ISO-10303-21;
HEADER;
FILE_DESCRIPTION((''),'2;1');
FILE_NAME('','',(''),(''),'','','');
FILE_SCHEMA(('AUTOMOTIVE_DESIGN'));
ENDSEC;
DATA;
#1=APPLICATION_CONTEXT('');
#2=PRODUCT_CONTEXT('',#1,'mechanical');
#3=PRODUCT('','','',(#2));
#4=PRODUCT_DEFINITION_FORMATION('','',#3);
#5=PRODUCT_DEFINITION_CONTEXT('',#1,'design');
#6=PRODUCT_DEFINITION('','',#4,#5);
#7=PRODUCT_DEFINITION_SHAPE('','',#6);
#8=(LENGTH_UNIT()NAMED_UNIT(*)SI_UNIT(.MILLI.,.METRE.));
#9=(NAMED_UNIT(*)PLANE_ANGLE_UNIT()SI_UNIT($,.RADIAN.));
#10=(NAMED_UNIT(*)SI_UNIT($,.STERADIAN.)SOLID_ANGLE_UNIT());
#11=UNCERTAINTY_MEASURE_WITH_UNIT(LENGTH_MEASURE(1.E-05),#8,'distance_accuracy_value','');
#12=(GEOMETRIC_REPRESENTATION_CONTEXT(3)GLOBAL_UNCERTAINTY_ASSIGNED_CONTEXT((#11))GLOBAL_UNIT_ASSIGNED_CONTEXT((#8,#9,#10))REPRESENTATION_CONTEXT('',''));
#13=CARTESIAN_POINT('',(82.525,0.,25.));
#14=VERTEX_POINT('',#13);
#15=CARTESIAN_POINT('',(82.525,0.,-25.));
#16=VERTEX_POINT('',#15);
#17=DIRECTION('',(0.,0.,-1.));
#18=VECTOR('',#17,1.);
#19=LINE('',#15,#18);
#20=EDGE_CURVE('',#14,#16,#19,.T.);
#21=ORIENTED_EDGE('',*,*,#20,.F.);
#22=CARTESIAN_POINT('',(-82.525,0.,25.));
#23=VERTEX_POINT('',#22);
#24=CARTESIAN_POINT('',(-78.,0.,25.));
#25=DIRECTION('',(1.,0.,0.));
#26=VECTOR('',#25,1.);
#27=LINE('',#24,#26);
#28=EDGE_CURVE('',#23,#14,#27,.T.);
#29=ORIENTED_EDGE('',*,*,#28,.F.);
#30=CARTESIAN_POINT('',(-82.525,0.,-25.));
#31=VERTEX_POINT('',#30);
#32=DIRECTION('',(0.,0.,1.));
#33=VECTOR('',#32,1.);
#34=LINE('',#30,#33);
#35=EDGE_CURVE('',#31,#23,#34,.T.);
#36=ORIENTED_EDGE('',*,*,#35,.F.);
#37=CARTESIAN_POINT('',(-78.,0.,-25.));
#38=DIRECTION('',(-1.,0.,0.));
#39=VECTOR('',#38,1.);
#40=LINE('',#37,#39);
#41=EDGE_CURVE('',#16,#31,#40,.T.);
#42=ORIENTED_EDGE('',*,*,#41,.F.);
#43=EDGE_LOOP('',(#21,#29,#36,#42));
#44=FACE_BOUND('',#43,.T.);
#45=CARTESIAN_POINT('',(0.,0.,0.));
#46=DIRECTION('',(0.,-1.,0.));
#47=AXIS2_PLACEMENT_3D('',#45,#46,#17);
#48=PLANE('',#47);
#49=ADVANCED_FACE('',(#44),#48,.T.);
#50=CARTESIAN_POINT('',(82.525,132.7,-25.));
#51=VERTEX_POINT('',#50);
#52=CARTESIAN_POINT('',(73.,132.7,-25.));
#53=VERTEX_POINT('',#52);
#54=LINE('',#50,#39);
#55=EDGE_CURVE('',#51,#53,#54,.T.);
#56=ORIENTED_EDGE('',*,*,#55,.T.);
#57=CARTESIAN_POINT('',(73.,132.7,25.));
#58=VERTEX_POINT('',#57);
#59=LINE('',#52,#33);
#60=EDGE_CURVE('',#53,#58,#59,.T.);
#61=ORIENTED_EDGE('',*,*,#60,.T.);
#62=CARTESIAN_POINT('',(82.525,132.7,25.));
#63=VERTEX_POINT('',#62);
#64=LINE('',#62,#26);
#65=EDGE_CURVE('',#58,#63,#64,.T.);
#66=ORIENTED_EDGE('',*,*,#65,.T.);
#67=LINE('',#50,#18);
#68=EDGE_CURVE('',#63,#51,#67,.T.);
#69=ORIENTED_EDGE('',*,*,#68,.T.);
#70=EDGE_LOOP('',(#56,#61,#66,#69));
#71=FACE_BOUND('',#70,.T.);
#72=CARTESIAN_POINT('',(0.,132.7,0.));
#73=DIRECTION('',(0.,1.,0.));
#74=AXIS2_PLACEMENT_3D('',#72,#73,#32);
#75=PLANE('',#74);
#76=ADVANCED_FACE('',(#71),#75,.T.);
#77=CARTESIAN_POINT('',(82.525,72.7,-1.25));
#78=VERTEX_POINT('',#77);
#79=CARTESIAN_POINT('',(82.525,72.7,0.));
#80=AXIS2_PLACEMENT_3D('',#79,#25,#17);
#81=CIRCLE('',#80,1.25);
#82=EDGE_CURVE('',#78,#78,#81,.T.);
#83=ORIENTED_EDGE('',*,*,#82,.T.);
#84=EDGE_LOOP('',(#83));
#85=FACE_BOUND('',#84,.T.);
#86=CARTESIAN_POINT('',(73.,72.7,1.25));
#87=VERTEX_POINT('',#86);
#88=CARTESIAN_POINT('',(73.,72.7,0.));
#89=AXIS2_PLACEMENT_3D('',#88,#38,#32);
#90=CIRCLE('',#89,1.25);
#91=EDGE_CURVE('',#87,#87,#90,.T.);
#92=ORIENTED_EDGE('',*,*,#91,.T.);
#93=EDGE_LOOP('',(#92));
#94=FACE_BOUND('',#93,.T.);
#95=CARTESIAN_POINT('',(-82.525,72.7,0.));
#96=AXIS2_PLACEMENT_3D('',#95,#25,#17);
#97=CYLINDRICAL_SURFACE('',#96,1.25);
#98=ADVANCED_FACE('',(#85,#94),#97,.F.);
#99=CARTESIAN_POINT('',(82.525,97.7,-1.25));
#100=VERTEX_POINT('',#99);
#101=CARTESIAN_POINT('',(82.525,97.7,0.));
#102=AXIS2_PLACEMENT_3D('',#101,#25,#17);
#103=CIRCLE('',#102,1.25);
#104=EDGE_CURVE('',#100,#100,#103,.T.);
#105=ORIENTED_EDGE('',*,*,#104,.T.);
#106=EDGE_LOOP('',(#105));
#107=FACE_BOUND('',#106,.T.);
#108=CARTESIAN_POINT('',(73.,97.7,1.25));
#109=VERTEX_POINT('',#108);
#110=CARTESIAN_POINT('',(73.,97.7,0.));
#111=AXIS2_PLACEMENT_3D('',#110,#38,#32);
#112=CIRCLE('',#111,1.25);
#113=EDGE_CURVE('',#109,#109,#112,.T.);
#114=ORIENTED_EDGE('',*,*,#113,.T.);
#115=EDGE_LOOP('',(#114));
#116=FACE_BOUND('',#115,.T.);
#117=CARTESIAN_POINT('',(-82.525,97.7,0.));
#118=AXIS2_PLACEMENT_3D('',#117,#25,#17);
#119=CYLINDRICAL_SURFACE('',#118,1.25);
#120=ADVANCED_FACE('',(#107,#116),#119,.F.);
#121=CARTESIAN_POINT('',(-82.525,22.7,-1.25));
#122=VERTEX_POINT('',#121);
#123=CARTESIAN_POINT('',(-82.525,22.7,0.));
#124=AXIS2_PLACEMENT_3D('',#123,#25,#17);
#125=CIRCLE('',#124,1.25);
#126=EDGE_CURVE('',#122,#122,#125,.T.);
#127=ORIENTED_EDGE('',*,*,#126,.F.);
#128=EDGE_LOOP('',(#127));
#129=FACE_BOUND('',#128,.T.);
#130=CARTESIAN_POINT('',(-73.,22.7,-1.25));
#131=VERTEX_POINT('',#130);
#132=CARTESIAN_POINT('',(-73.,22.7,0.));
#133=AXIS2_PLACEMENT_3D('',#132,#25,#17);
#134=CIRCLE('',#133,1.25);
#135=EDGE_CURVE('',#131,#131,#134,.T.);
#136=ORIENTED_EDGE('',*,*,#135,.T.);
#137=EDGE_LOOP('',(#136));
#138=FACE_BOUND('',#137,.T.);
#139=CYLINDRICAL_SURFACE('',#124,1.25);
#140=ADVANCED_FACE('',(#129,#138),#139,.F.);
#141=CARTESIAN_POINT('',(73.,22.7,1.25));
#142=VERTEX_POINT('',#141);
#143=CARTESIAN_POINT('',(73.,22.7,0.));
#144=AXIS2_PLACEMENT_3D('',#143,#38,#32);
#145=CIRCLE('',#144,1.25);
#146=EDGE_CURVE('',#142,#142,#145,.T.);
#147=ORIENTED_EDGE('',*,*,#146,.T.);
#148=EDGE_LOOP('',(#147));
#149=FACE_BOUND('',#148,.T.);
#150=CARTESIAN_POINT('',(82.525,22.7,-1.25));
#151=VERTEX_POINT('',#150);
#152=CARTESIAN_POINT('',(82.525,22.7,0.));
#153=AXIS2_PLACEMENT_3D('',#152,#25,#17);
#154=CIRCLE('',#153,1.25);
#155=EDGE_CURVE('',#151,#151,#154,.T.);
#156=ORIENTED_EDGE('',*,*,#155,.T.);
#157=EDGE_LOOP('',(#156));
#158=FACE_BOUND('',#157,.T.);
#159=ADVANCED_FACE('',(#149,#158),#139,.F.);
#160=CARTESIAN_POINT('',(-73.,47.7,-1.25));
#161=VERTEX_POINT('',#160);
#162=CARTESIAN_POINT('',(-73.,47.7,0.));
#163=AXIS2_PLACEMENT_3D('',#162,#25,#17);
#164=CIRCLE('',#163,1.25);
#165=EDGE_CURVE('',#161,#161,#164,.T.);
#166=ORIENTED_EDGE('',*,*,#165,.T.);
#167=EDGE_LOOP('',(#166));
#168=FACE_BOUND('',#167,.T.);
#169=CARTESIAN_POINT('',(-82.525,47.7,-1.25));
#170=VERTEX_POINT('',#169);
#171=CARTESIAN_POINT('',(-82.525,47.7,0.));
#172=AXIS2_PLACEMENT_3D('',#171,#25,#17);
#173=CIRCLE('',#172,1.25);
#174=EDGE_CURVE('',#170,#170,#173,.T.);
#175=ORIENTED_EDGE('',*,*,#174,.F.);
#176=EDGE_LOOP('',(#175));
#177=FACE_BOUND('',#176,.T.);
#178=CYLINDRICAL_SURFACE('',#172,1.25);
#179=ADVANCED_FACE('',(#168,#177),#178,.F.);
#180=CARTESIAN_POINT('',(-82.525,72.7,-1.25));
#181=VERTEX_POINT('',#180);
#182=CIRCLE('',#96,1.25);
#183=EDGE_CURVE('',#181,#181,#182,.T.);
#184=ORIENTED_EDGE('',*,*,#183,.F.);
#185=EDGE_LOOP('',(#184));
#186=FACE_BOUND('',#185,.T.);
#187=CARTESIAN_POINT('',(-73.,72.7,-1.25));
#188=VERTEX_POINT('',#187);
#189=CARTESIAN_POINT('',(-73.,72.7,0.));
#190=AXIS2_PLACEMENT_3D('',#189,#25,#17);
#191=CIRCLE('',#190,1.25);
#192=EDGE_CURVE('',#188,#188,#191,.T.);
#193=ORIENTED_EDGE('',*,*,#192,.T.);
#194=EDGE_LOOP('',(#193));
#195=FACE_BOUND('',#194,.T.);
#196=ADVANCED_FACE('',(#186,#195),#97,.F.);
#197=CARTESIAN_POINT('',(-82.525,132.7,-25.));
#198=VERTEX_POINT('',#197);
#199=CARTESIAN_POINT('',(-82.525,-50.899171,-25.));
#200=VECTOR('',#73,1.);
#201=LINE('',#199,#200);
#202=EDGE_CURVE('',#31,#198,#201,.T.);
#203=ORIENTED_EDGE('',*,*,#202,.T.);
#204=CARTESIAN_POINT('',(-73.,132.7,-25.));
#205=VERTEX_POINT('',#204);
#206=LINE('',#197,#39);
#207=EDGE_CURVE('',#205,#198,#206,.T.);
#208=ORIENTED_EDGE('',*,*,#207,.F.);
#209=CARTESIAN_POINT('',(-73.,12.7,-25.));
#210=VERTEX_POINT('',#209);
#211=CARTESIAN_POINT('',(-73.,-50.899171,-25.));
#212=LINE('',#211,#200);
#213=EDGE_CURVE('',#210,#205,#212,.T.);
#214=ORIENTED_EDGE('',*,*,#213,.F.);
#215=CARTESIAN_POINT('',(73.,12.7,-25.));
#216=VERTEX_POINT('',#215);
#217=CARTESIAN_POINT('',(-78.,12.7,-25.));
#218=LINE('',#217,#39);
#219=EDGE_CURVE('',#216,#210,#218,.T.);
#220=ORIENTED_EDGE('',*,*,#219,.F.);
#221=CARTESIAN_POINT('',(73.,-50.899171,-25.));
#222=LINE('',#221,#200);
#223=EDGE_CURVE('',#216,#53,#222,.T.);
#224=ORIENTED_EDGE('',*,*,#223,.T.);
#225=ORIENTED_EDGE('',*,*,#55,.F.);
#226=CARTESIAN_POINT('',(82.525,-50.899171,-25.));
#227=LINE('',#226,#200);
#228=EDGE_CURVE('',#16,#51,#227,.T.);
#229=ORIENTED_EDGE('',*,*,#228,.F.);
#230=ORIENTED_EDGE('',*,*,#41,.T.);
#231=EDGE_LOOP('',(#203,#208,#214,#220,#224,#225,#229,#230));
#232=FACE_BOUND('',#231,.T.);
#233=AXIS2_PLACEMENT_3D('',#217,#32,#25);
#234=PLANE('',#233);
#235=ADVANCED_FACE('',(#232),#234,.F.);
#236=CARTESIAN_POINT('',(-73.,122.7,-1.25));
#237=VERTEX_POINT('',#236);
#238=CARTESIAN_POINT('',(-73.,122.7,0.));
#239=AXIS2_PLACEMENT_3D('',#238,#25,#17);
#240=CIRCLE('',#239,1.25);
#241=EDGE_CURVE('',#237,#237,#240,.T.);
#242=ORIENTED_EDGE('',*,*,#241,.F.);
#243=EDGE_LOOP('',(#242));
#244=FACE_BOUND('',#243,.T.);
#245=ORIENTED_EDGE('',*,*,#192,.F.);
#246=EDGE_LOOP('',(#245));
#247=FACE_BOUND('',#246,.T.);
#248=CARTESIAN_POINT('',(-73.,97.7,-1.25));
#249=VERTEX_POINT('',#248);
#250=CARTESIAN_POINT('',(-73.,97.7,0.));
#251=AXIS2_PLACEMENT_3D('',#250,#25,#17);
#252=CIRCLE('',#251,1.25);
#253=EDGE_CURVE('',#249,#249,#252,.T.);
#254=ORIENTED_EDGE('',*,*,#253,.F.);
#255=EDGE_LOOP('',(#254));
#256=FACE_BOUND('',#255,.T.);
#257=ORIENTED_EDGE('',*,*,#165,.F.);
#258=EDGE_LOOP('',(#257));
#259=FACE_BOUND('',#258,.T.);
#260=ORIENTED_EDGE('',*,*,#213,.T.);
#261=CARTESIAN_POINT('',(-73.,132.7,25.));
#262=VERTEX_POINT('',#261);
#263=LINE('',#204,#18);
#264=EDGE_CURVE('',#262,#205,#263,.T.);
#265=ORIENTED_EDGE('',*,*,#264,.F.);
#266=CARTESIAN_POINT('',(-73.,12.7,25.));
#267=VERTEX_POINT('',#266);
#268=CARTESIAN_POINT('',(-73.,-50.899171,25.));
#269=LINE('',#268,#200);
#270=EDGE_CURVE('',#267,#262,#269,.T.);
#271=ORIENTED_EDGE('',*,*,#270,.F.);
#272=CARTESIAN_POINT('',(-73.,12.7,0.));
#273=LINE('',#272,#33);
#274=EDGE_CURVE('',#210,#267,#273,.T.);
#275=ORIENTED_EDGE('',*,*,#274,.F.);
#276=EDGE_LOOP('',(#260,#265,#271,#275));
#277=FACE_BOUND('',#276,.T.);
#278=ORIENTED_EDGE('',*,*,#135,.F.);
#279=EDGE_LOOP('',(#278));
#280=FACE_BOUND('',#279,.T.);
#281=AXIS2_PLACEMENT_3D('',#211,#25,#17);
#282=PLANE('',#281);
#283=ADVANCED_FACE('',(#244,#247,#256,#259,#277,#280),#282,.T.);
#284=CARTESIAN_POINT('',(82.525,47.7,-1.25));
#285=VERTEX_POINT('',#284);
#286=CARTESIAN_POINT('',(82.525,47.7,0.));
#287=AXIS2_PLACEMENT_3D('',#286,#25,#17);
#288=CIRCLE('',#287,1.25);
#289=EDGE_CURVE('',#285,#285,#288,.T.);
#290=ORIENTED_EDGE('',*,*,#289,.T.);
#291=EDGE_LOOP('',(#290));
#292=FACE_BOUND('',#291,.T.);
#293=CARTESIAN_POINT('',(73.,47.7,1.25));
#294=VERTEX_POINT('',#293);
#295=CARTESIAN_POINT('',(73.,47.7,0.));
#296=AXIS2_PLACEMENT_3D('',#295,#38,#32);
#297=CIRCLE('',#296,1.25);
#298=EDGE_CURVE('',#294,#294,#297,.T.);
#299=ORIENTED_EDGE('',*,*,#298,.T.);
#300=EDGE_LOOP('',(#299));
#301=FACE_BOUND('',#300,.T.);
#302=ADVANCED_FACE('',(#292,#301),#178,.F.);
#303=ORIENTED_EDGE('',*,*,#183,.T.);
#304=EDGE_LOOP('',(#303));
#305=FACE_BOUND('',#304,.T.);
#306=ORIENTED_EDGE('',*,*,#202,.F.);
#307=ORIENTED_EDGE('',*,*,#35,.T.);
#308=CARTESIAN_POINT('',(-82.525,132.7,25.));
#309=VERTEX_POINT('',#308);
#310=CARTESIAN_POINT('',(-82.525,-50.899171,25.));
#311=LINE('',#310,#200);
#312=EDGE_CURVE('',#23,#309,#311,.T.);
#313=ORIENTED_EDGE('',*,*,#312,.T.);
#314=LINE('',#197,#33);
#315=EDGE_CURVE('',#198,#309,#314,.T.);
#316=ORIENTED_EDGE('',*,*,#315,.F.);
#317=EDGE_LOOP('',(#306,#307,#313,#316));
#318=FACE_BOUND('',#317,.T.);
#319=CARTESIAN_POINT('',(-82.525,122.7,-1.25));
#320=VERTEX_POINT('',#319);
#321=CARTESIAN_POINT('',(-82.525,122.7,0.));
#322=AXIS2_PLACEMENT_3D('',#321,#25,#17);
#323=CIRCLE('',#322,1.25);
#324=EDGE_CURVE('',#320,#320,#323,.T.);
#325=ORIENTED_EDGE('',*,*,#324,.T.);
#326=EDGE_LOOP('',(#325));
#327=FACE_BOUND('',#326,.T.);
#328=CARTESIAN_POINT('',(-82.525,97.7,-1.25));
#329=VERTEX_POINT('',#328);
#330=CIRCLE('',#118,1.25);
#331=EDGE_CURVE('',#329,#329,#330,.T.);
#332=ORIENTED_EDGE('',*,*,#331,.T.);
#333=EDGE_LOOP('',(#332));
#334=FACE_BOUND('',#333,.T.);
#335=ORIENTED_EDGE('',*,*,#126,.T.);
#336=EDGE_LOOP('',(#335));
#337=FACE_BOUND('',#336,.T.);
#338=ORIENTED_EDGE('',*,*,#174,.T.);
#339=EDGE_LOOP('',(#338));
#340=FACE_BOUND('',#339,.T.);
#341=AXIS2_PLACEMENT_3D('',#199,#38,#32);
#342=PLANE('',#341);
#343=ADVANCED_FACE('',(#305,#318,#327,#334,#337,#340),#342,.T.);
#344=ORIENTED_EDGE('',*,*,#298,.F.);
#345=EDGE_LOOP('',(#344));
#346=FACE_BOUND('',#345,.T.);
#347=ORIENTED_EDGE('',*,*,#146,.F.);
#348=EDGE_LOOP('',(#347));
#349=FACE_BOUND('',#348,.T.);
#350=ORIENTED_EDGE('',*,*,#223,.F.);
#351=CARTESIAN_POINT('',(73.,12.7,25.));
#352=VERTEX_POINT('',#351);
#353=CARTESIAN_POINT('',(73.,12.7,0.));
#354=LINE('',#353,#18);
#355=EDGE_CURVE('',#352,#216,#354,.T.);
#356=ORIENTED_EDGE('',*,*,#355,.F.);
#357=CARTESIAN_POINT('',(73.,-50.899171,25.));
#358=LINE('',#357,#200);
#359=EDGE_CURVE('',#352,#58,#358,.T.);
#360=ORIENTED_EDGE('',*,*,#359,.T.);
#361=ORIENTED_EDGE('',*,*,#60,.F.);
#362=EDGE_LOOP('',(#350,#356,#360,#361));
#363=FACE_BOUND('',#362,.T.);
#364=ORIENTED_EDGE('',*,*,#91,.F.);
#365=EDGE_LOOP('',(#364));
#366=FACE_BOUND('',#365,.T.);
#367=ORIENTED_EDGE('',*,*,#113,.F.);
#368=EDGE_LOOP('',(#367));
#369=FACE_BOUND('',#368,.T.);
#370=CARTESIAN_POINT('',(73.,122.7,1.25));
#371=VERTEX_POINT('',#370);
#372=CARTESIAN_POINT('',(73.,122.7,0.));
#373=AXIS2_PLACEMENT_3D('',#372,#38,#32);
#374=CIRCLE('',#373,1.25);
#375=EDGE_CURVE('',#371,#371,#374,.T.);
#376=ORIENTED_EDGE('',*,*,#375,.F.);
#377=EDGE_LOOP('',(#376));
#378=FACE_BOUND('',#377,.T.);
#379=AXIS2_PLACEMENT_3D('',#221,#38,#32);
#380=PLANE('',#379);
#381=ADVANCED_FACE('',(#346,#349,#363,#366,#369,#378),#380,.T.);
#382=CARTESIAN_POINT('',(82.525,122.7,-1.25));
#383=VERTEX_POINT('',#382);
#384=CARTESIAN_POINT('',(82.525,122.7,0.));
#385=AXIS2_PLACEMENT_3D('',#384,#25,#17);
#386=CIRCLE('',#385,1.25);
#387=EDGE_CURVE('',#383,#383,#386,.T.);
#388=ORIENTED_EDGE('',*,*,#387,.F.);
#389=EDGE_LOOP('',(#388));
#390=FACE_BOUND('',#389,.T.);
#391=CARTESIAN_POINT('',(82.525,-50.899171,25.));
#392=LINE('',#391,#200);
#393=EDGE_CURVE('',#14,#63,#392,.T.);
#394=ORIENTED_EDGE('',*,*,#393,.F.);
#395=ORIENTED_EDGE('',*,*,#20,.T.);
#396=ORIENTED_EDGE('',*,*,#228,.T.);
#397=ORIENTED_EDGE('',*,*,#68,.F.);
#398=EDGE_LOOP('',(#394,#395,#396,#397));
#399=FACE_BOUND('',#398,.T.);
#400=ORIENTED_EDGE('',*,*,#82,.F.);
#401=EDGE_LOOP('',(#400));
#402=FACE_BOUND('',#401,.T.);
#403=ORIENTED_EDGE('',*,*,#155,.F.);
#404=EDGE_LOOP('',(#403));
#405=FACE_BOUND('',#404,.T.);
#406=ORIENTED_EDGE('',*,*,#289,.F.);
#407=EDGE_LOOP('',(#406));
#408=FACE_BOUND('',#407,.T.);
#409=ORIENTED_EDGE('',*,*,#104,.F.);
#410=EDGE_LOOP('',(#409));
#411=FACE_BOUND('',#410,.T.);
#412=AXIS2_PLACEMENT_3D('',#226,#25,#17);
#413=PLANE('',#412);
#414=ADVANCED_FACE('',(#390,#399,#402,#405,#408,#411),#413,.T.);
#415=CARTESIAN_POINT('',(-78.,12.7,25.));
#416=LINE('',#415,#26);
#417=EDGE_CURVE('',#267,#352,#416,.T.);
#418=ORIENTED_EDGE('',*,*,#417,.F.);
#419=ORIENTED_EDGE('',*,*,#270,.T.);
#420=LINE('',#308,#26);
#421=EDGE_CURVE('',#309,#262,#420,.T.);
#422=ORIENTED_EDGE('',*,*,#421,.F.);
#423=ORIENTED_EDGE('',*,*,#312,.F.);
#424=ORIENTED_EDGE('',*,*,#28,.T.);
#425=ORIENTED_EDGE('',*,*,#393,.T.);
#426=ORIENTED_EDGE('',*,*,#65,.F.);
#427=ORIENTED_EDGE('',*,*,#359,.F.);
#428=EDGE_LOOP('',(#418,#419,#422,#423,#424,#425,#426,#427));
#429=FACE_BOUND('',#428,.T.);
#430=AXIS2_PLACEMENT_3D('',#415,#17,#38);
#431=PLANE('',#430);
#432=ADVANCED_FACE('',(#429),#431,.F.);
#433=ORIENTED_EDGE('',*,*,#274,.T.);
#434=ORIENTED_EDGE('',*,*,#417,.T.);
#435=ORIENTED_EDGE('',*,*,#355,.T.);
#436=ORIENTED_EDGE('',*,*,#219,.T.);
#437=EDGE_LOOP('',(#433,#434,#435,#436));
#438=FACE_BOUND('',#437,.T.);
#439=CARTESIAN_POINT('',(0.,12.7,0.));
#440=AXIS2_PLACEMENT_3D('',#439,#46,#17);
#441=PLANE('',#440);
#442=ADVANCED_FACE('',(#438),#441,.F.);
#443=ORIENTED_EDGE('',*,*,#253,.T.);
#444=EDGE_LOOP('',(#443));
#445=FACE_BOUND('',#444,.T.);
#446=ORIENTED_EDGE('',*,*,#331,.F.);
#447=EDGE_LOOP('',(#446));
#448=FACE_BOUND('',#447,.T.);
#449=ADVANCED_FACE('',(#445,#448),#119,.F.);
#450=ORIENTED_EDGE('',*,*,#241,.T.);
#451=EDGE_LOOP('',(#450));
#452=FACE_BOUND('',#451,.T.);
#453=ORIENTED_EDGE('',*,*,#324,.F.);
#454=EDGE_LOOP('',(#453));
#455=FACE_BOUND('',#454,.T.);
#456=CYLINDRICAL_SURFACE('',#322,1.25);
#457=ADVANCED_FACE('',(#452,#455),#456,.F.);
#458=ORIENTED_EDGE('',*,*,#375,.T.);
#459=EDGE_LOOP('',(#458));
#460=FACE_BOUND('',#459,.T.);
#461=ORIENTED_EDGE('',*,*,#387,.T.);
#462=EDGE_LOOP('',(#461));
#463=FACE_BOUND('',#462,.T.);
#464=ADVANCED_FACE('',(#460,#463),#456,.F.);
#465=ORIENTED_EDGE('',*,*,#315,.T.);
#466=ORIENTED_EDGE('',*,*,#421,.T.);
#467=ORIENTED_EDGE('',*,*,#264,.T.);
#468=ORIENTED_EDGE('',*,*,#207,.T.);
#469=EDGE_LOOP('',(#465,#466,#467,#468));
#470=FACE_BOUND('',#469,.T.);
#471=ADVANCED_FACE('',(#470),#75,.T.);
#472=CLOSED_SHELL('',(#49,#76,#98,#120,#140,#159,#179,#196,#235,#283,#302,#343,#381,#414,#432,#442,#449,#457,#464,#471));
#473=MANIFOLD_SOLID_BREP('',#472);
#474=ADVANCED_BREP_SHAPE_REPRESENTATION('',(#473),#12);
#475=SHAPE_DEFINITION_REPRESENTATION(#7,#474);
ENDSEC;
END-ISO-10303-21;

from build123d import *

# Parameters (mm, degrees)
SKETCH1_W                       = 156
SKETCH1_H                       = 50
BOSS_EXTRUDE1_DEPTH             = 12.7
SKETCH2_W                       = 9.525
SKETCH2_H                       = 50
BOSS_EXTRUDE2_DEPTH             = 120
BOSS_EXTRUDE2_DIRECTION_2_REACH = 84.887
SKETCH3_R                       = 1.25
CUT_EXTRUDE1_DEPTH              = 214.250539272


with BuildPart() as part:
    # Sketch1 → Boss-Extrude1 (new body)
    with BuildSketch(Plane(origin=(0, 0, 0), x_dir=(1, 0, 0), z_dir=(0, 1, 0))):
        Rectangle(SKETCH1_W, SKETCH1_H)
    extrude(amount=BOSS_EXTRUDE1_DEPTH)

    # Sketch2 → Boss-Extrude2 (add)
    with BuildSketch(Plane(origin=(0, 12.7, 0), x_dir=(1, 0, 0), z_dir=(0, 1, 0))):
        with Locations((-77.7625, 0)):
            Rectangle(SKETCH2_W, SKETCH2_H)
        with Locations((77.7625, 0)):
            Rectangle(SKETCH2_W, SKETCH2_H)
    extrude(amount=BOSS_EXTRUDE2_DEPTH)

    # Boss-Extrude2 direction 2: up to this face of the body (flat: up to its plane)
    boss_extrude2_direction_2_end = Plane(part.part.faces().sort_by_distance((0, 0, 0))[0])
    # Sketch2 → Boss-Extrude2 direction 2 (add, up to the picked face)
    with BuildSketch(Plane(origin=(0, 12.7, 0), x_dir=(1, 0, 0), z_dir=(0, 1, 0)), mode=Mode.PRIVATE) as boss_extrude2_direction_2_sk1:
        with Locations((-77.7625, 0)):
            Rectangle(SKETCH2_W, SKETCH2_H)
    boss_extrude2_direction_2_tool1 = split(extrude(boss_extrude2_direction_2_sk1.sketch, amount=-BOSS_EXTRUDE2_DIRECTION_2_REACH, mode=Mode.PRIVATE), bisect_by=boss_extrude2_direction_2_end, keep=Keep.BOTH, mode=Mode.PRIVATE)
    # Sketch2 → Boss-Extrude2 direction 2 (add, up to the picked face)
    with BuildSketch(Plane(origin=(0, 12.7, 0), x_dir=(1, 0, 0), z_dir=(0, 1, 0)), mode=Mode.PRIVATE) as boss_extrude2_direction_2_sk2:
        with Locations((77.7625, 0)):
            Rectangle(SKETCH2_W, SKETCH2_H)
    boss_extrude2_direction_2_tool2 = split(extrude(boss_extrude2_direction_2_sk2.sketch, amount=-BOSS_EXTRUDE2_DIRECTION_2_REACH, mode=Mode.PRIVATE), bisect_by=boss_extrude2_direction_2_end, keep=Keep.BOTH, mode=Mode.PRIVATE)
    add(boss_extrude2_direction_2_tool1.solids().sort_by(Axis((-77.7625, 12.7, 0), (0, -1, 0)))[0])
    add(boss_extrude2_direction_2_tool2.solids().sort_by(Axis((77.7625, 12.7, 0), (0, -1, 0)))[0])

    # Sketch3 → Cut-Extrude1 (cut, through all)
    with BuildSketch(Plane(origin=(82.525, 0, 0), x_dir=(0, 0, -1), z_dir=(1, 0, 0))):
        with Locations((0, 122.7)):
            Circle(SKETCH3_R)
        with Locations((0, 97.7)):
            Circle(SKETCH3_R)
        with Locations((0, 72.7)):
            Circle(SKETCH3_R)
        with Locations((0, 47.7)):
            Circle(SKETCH3_R)
        with Locations((0, 22.7)):
            Circle(SKETCH3_R)
    extrude(amount=-CUT_EXTRUDE1_DEPTH, mode=Mode.SUBTRACT)


solid = part.part
